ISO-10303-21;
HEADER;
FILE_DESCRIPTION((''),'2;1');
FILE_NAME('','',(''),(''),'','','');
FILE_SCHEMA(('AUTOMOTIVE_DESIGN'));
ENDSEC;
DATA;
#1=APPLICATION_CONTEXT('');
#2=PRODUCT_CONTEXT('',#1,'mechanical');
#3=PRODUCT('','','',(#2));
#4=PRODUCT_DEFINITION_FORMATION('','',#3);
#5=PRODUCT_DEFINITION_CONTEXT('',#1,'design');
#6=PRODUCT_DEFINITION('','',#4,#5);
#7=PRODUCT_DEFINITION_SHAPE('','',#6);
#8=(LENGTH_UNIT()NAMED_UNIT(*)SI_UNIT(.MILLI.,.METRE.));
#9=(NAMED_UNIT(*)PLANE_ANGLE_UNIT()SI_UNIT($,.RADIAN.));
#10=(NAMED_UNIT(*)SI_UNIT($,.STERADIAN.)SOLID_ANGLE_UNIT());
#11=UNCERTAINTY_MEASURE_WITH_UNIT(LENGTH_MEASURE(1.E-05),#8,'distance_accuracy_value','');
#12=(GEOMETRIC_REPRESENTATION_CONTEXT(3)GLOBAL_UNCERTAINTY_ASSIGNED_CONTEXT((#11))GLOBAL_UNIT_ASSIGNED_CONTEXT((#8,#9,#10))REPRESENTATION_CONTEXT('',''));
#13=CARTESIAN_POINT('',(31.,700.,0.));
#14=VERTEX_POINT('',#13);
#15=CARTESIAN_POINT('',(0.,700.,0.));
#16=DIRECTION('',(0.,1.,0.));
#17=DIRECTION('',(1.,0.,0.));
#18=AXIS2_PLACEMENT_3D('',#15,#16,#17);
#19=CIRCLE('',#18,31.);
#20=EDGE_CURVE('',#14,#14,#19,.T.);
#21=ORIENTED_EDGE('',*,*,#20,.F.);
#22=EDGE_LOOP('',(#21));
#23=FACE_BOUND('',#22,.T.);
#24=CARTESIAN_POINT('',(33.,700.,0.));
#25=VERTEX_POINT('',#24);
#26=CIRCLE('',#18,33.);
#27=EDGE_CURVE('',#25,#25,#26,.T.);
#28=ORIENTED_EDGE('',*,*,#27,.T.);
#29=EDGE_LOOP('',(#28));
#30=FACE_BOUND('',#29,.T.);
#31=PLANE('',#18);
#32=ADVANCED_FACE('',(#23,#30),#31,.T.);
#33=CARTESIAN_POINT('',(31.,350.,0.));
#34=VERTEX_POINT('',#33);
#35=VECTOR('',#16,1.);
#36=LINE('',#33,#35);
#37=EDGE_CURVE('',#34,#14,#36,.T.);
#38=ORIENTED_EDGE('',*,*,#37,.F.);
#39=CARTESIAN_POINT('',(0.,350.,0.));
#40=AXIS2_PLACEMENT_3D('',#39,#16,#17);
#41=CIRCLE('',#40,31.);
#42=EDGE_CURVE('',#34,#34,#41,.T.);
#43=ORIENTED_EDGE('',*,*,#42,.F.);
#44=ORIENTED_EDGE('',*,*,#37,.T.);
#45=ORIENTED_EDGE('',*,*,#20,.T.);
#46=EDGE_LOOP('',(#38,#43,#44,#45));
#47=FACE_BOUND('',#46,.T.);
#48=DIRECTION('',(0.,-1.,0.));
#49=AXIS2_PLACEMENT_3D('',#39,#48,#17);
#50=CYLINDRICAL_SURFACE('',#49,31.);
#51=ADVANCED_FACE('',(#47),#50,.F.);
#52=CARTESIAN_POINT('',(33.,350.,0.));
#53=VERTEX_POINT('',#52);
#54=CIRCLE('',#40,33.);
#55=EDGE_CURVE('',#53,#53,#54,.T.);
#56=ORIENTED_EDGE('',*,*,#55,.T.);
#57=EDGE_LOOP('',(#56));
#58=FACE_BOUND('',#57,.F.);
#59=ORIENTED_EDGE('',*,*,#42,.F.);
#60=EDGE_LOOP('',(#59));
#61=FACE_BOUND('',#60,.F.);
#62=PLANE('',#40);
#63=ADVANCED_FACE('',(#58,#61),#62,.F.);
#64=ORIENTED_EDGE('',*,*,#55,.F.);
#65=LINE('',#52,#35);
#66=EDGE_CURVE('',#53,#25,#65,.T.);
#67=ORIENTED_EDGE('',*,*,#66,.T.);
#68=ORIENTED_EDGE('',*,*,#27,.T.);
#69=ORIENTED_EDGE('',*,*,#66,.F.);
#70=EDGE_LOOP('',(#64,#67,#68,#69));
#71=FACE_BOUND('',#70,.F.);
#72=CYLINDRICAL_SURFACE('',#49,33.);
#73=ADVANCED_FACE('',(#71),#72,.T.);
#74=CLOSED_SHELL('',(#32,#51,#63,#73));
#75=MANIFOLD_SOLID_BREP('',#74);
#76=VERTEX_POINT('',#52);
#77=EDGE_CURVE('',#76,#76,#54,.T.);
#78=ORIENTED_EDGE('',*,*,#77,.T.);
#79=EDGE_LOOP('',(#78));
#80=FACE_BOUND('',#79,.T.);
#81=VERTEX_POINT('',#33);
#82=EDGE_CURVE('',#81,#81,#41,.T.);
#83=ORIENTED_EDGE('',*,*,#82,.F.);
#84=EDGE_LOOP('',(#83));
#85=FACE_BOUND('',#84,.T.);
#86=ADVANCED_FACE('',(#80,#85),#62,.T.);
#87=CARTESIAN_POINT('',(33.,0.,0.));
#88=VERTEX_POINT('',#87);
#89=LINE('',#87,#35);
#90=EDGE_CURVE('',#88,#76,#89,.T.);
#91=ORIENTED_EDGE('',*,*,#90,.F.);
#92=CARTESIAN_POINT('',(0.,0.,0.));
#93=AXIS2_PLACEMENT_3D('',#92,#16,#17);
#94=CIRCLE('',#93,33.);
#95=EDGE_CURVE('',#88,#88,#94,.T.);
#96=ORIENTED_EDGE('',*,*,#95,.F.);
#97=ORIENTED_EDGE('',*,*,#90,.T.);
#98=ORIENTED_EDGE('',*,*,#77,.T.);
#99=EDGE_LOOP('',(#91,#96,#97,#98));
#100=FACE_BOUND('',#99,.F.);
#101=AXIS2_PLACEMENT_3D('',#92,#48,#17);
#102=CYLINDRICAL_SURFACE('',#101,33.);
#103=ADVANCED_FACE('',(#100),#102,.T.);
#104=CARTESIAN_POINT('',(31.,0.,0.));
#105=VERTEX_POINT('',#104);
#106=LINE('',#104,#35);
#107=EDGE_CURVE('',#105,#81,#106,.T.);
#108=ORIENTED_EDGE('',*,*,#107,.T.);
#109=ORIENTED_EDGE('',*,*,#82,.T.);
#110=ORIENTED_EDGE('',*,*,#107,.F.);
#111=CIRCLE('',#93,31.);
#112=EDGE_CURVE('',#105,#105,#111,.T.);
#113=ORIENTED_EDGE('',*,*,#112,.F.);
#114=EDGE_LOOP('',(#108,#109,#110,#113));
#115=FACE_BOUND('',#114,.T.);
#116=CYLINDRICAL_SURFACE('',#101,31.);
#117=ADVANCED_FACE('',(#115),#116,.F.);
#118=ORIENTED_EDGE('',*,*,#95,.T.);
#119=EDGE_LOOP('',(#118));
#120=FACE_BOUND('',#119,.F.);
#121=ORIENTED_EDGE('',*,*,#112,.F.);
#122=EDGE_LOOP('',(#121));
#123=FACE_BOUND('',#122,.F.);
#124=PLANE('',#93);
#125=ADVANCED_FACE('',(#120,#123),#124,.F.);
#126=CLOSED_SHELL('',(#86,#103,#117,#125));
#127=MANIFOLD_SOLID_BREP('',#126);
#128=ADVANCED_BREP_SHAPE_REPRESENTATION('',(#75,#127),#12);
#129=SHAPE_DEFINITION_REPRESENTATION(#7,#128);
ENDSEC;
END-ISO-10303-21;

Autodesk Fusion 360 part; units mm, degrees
sketch "Sketch1" plane through (0, 0, 0) normal (0, 1, 0) x (1, 0, 0)
  circle A0 centre (0, 0) radius 33
  circle A1 centre (0, 0) radius 31
  dimension "d1" = 66
  dimension "d2" = 62
extrude "Extrude1" add sketch "Sketch1" along normal blind 350 makes body 1
ref_plane "WorkPlane1" through (0, 350, 0) normal (0, 1, 0) x (1, 0, 0)
sketch "Sketch2" plane through (0, 350, 0) normal (0, 1, 0) x (1, 0, 0)
  circle A0 centre (0, 0) radius 31
  circle A1 centre (0, 0) radius 33
extrude "Extrude1'" add sketch "Sketch2" along normal blind 350 separate body makes body 2 in component "Upper Body Tube"
component "Upper Body Tube" placed x (1, 0, 0) y (0, 1, 0) z (0, 0, 1) at (0, 0, 0)
